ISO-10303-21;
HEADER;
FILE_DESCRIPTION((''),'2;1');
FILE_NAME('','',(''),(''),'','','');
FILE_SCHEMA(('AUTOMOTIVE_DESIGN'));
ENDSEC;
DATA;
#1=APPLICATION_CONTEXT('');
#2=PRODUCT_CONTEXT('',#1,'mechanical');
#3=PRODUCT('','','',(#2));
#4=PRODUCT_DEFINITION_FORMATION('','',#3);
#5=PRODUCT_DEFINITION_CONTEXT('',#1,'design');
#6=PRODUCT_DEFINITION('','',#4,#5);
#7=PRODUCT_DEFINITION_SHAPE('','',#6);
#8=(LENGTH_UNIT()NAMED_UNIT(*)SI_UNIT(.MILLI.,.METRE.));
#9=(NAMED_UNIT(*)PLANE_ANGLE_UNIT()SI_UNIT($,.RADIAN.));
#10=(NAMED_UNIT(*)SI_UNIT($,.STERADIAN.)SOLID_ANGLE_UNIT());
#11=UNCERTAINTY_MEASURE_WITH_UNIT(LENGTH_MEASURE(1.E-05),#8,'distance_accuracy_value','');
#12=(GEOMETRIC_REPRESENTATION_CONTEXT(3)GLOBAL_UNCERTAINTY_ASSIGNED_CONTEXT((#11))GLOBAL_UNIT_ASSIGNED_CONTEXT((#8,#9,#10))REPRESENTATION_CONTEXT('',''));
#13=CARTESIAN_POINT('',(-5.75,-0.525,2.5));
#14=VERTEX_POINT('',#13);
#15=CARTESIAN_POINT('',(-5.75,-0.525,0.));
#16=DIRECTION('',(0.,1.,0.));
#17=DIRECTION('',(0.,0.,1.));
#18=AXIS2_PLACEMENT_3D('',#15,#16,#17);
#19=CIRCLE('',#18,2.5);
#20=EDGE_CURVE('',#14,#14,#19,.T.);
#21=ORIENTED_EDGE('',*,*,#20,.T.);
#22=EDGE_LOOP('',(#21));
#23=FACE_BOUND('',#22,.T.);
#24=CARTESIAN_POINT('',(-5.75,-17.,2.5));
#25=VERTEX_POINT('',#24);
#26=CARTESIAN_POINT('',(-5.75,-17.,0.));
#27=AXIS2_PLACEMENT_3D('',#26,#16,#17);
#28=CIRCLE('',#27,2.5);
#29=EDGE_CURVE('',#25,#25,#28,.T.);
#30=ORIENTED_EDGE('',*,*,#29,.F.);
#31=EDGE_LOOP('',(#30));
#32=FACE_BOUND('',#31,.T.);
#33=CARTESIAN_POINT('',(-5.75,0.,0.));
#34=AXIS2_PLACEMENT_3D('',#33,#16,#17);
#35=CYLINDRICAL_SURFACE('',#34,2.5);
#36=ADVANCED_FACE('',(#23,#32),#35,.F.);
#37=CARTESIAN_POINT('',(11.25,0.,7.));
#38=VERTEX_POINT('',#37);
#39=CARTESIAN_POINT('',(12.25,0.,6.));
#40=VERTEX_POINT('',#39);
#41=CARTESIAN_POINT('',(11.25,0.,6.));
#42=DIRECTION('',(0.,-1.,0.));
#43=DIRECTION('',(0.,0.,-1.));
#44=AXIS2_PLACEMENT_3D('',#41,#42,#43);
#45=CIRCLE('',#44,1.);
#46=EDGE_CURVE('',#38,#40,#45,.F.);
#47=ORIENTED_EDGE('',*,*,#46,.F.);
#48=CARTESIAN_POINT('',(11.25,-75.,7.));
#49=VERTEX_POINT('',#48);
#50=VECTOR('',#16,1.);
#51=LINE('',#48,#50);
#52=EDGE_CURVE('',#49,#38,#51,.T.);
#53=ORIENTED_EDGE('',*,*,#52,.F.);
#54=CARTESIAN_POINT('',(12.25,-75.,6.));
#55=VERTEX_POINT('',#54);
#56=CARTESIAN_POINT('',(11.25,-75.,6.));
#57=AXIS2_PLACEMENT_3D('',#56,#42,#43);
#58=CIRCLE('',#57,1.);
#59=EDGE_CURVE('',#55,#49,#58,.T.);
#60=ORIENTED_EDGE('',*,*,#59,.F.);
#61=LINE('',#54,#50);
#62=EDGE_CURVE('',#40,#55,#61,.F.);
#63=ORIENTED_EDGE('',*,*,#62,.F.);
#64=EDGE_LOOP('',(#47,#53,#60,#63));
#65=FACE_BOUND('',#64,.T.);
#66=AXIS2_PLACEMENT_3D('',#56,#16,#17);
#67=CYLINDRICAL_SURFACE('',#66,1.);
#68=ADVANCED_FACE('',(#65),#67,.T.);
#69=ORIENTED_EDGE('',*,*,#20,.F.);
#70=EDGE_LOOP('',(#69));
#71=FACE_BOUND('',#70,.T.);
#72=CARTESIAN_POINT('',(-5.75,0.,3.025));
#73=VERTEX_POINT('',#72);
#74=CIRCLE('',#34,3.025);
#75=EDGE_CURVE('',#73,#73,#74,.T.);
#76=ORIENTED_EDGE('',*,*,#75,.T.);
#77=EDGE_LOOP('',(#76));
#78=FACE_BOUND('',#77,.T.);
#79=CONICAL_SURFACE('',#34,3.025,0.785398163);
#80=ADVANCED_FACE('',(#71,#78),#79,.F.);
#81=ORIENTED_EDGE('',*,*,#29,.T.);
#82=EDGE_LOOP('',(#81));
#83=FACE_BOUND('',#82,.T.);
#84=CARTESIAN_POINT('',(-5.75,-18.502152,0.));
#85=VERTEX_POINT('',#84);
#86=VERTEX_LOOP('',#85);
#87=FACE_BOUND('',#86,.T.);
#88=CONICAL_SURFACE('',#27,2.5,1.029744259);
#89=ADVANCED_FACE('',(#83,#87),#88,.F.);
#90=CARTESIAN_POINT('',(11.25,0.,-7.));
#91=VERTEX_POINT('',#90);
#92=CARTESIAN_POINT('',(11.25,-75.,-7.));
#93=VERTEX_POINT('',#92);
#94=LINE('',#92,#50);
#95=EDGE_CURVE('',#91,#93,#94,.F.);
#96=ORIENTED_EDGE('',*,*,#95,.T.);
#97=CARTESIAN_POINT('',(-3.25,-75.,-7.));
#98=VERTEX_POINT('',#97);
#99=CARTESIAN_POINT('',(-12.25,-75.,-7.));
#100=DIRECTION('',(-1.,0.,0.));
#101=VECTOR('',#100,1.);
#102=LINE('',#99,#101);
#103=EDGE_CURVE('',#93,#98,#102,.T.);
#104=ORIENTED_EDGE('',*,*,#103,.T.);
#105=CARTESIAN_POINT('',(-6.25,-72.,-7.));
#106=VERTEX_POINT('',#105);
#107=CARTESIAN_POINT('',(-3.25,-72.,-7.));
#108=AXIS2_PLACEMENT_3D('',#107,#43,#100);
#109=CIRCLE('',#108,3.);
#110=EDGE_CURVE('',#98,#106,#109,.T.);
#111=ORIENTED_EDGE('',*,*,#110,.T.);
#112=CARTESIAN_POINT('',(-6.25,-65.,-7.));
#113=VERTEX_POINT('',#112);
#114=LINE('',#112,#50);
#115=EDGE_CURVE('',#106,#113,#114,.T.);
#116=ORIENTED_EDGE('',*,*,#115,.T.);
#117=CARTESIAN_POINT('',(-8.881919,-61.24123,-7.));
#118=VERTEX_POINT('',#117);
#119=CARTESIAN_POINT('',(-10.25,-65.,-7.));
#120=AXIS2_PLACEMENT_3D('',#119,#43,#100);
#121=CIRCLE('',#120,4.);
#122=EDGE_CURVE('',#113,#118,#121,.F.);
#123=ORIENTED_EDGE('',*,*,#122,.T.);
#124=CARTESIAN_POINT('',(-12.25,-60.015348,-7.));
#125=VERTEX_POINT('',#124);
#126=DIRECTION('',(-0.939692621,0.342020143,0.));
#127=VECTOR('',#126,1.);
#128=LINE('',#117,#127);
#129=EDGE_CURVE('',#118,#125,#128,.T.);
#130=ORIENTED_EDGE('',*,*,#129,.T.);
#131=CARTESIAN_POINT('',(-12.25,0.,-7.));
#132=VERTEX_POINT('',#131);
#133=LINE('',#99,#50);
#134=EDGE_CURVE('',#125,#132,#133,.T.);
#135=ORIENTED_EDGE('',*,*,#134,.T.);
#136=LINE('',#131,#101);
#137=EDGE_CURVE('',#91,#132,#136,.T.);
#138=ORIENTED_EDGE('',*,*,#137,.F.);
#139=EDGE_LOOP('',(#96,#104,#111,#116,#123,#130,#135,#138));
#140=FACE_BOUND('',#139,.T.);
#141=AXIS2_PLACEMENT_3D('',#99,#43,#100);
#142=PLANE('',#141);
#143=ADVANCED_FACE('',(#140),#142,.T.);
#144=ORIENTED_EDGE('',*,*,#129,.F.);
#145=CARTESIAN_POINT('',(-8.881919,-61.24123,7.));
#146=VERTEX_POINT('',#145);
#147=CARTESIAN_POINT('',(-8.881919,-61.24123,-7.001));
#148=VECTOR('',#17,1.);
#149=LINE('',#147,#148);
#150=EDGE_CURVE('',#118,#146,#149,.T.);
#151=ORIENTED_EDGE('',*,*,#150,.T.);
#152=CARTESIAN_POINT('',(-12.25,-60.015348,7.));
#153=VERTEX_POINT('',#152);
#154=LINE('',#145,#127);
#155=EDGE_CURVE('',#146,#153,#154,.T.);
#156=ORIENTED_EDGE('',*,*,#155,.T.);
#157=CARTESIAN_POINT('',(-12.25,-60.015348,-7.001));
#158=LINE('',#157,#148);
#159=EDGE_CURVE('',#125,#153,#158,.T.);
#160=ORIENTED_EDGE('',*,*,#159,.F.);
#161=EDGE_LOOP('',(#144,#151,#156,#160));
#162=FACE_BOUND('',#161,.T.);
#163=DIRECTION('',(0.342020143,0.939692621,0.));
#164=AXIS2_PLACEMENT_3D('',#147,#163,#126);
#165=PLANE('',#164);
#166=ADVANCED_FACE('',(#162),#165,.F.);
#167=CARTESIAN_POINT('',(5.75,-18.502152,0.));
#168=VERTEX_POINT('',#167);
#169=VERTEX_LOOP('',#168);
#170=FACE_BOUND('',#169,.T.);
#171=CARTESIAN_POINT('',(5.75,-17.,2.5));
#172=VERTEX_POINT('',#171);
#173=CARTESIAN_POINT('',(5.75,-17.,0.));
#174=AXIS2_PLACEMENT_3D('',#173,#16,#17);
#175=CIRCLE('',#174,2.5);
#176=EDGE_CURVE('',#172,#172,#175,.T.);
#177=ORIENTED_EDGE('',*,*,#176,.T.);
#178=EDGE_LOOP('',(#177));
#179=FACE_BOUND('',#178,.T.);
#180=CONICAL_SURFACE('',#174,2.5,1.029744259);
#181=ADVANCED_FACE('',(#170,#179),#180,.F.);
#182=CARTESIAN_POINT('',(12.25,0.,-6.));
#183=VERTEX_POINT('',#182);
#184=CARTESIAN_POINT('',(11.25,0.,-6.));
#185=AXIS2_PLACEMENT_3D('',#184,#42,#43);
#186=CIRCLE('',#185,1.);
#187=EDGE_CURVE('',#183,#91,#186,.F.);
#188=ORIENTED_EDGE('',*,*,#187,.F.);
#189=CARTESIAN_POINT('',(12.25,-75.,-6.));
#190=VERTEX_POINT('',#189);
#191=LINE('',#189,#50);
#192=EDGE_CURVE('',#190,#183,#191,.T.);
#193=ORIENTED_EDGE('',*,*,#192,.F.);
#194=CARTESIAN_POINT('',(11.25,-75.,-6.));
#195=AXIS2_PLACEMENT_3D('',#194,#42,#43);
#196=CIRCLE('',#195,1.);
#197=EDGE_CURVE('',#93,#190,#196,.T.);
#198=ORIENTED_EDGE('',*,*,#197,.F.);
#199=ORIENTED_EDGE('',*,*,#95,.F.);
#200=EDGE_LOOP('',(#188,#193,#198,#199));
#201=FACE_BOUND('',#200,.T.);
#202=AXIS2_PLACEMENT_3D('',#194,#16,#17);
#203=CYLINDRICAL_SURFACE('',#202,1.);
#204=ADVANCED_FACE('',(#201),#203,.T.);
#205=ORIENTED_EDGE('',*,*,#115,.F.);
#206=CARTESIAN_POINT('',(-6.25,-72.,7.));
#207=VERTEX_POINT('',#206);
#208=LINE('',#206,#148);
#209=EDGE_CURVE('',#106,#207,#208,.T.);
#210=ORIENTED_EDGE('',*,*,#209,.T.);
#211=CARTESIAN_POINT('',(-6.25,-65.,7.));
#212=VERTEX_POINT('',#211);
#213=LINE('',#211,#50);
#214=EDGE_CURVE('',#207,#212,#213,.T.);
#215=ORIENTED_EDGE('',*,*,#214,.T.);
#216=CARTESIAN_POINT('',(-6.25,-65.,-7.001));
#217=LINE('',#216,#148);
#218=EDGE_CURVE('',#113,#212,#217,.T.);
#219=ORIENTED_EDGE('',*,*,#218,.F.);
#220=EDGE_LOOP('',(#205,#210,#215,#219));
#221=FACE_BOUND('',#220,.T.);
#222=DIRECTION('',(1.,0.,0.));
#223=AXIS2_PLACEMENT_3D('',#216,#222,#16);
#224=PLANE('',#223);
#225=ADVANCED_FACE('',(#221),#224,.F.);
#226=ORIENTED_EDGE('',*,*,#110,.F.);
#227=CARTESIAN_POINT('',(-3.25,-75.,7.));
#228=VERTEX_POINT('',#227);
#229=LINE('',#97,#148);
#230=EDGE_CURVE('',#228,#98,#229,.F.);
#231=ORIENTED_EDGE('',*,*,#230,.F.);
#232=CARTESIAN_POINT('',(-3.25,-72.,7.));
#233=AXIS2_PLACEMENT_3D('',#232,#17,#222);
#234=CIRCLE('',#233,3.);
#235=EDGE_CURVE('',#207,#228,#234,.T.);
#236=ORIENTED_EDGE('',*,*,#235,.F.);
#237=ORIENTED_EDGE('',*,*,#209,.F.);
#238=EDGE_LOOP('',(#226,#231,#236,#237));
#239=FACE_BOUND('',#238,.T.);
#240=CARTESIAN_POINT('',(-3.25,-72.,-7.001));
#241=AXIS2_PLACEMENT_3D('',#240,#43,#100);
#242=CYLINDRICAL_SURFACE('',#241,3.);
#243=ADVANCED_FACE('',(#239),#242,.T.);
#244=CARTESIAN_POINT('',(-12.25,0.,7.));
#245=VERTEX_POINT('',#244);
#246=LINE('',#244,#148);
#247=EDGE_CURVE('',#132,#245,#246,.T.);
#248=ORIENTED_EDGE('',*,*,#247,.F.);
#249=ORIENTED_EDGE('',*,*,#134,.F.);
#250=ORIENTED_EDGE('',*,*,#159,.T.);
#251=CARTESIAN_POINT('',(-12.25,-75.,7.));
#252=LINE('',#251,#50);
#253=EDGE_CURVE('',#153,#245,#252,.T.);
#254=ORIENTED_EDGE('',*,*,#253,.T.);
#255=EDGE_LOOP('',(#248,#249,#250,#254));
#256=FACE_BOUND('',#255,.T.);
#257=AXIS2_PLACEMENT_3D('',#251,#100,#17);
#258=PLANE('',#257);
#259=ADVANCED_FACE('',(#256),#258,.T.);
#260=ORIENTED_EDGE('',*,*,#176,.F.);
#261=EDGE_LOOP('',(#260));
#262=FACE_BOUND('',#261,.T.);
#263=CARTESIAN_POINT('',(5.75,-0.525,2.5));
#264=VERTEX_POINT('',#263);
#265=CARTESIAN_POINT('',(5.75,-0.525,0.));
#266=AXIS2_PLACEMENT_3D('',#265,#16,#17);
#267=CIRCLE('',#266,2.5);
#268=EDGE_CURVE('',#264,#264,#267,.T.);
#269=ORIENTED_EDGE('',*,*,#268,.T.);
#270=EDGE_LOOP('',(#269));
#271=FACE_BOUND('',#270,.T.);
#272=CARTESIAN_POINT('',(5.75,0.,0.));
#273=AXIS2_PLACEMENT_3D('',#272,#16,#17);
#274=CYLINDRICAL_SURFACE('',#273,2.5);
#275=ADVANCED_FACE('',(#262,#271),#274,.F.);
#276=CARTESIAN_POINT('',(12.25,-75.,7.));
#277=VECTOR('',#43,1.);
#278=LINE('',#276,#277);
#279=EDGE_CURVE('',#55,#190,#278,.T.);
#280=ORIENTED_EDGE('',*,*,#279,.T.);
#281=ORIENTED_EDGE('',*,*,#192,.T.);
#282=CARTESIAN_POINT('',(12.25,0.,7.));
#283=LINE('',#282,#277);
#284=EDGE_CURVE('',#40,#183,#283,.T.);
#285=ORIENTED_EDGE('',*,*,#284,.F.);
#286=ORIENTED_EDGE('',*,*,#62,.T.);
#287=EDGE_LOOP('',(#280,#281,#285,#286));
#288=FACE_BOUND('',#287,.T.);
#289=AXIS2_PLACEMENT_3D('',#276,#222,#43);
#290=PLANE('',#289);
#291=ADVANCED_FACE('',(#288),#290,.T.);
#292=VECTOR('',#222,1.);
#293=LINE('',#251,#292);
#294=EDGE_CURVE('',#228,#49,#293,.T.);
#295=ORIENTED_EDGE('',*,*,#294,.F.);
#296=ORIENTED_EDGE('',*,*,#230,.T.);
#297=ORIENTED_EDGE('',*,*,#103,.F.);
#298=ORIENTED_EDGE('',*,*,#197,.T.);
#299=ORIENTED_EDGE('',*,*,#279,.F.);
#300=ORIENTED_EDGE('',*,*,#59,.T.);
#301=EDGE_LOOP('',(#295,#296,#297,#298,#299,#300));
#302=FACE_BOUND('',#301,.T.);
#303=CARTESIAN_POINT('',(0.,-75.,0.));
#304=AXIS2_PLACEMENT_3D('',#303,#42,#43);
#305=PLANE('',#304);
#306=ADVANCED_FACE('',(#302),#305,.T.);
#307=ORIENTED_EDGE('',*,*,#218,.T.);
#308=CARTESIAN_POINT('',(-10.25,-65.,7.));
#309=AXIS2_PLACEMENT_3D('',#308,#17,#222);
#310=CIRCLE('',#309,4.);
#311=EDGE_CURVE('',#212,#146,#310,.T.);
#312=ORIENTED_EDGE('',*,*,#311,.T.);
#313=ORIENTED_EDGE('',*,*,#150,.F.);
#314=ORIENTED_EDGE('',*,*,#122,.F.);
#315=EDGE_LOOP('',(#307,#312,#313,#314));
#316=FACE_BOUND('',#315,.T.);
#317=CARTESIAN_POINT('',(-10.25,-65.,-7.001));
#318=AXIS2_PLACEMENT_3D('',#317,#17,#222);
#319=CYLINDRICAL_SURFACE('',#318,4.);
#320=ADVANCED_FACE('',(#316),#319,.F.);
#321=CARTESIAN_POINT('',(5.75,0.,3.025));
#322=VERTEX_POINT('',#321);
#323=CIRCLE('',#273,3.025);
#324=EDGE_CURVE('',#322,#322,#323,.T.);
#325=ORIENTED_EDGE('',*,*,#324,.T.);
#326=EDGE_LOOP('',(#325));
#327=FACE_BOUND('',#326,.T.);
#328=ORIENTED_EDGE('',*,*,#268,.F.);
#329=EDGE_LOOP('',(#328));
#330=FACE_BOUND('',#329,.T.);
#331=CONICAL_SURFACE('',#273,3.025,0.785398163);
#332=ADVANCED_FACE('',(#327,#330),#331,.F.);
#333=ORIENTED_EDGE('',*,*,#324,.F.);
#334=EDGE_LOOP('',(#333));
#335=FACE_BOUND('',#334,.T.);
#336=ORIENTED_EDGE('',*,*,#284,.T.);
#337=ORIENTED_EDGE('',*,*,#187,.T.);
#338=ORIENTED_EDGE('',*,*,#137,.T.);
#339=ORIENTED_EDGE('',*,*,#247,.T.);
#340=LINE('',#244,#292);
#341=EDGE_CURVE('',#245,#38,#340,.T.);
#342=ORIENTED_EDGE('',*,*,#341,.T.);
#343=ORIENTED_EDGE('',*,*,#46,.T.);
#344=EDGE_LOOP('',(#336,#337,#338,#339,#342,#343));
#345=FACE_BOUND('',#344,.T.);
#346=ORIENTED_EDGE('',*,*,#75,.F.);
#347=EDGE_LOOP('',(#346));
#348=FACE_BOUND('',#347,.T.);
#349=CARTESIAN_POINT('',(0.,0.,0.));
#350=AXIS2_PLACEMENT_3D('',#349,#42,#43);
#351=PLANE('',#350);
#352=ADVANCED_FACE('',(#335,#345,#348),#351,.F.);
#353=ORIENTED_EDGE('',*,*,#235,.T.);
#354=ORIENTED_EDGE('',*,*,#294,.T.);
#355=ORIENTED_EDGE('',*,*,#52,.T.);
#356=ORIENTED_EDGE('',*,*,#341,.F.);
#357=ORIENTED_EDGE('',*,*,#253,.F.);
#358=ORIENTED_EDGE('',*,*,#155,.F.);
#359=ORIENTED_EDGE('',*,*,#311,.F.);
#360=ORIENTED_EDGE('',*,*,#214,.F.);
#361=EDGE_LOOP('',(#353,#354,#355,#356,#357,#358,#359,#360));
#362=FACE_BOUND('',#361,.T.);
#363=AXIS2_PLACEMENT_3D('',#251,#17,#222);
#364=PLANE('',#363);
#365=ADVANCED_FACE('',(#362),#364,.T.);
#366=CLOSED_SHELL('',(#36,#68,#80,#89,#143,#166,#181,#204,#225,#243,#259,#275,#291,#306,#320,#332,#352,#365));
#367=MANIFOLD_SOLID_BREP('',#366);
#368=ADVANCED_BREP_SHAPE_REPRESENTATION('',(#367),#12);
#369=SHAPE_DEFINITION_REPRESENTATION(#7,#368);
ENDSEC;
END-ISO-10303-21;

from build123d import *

# Parameters (mm, degrees)
SKETCH1_W                   = 24.5
SKETCH1_H                   = 14
BOSS_EXTRUDE1_DEPTH         = 75
CUT_EXTRUDE1_REACH          = 79.273
FILLET1_R                   = 3
FILLET2_R                   = 1
M6_TAPPED_HOLE1_D           = 5
M6_TAPPED_HOLE1_DEPTH       = 17
M6_TAPPED_HOLE1_CSINK_D     = 6.05
M6_TAPPED_HOLE1_CSINK_ANGLE = 90
M6_TAPPED_HOLE1_TIP         = 1.502151548


with BuildPart() as part:
    # Sketch1 → Boss-Extrude1 (new body)
    with BuildSketch(Plane(origin=(0, 0, 0), x_dir=(1, 0, 0), z_dir=(0, 1, 0))):
        Rectangle(SKETCH1_W, SKETCH1_H)
    extrude(amount=-BOSS_EXTRUDE1_DEPTH)

    # Sketch2 → Cut-Extrude1 (cut, up to next)
    with BuildSketch(Plane.XY.offset(7), mode=Mode.PRIVATE) as cut_extrude1_sk1:
        with BuildLine():
            Line((-8.881919427, -61.241229517), (-12.25, -60.015348442))
            Line((-12.25, -60.015348442), (-12.25, -75))
            Line((-12.25, -75), (-6.25, -75))
            Line((-6.25, -75), (-6.25, -65))
            ThreePointArc((-6.25, -65), (-6.973391823, -62.705694255), (-8.881919427, -61.241229517))
        make_face()
    cut_extrude1_tool1 = extrude(cut_extrude1_sk1.sketch, amount=-CUT_EXTRUDE1_REACH, mode=Mode.PRIVATE) & part.part
    add(cut_extrude1_tool1.solids().sort_by_distance((-9.372504, -68.134359, 7))[0], mode=Mode.SUBTRACT)

    # Fillet1
    fillet1_edges = [part.edges().sort_by_distance(p)[0] for p in [
        (-6.25, -75, 0),
    ]]
    fillet(fillet1_edges, radius=FILLET1_R)

    # Fillet2
    fillet2_edges = [part.edges().sort_by_distance(p)[0] for p in [
        (12.25, -37.5, 7),
        (12.25, -37.5, -7),
    ]]
    fillet(fillet2_edges, radius=FILLET2_R)

    # M6 Tapped Hole1
    with Locations(Plane(origin=(0, 0, 0), x_dir=(1, 0, 0), z_dir=(0, 1, 0))):
        with Locations((-5.75, 0), (5.75, 0)):
            CounterSinkHole(M6_TAPPED_HOLE1_D / 2, M6_TAPPED_HOLE1_CSINK_D / 2, depth=M6_TAPPED_HOLE1_DEPTH, counter_sink_angle=M6_TAPPED_HOLE1_CSINK_ANGLE)
            with Locations((0, 0, -(M6_TAPPED_HOLE1_DEPTH + M6_TAPPED_HOLE1_TIP / 2))):  # 118° drill point
                Cone(0, M6_TAPPED_HOLE1_D / 2, M6_TAPPED_HOLE1_TIP, mode=Mode.SUBTRACT)


solid = part.part
